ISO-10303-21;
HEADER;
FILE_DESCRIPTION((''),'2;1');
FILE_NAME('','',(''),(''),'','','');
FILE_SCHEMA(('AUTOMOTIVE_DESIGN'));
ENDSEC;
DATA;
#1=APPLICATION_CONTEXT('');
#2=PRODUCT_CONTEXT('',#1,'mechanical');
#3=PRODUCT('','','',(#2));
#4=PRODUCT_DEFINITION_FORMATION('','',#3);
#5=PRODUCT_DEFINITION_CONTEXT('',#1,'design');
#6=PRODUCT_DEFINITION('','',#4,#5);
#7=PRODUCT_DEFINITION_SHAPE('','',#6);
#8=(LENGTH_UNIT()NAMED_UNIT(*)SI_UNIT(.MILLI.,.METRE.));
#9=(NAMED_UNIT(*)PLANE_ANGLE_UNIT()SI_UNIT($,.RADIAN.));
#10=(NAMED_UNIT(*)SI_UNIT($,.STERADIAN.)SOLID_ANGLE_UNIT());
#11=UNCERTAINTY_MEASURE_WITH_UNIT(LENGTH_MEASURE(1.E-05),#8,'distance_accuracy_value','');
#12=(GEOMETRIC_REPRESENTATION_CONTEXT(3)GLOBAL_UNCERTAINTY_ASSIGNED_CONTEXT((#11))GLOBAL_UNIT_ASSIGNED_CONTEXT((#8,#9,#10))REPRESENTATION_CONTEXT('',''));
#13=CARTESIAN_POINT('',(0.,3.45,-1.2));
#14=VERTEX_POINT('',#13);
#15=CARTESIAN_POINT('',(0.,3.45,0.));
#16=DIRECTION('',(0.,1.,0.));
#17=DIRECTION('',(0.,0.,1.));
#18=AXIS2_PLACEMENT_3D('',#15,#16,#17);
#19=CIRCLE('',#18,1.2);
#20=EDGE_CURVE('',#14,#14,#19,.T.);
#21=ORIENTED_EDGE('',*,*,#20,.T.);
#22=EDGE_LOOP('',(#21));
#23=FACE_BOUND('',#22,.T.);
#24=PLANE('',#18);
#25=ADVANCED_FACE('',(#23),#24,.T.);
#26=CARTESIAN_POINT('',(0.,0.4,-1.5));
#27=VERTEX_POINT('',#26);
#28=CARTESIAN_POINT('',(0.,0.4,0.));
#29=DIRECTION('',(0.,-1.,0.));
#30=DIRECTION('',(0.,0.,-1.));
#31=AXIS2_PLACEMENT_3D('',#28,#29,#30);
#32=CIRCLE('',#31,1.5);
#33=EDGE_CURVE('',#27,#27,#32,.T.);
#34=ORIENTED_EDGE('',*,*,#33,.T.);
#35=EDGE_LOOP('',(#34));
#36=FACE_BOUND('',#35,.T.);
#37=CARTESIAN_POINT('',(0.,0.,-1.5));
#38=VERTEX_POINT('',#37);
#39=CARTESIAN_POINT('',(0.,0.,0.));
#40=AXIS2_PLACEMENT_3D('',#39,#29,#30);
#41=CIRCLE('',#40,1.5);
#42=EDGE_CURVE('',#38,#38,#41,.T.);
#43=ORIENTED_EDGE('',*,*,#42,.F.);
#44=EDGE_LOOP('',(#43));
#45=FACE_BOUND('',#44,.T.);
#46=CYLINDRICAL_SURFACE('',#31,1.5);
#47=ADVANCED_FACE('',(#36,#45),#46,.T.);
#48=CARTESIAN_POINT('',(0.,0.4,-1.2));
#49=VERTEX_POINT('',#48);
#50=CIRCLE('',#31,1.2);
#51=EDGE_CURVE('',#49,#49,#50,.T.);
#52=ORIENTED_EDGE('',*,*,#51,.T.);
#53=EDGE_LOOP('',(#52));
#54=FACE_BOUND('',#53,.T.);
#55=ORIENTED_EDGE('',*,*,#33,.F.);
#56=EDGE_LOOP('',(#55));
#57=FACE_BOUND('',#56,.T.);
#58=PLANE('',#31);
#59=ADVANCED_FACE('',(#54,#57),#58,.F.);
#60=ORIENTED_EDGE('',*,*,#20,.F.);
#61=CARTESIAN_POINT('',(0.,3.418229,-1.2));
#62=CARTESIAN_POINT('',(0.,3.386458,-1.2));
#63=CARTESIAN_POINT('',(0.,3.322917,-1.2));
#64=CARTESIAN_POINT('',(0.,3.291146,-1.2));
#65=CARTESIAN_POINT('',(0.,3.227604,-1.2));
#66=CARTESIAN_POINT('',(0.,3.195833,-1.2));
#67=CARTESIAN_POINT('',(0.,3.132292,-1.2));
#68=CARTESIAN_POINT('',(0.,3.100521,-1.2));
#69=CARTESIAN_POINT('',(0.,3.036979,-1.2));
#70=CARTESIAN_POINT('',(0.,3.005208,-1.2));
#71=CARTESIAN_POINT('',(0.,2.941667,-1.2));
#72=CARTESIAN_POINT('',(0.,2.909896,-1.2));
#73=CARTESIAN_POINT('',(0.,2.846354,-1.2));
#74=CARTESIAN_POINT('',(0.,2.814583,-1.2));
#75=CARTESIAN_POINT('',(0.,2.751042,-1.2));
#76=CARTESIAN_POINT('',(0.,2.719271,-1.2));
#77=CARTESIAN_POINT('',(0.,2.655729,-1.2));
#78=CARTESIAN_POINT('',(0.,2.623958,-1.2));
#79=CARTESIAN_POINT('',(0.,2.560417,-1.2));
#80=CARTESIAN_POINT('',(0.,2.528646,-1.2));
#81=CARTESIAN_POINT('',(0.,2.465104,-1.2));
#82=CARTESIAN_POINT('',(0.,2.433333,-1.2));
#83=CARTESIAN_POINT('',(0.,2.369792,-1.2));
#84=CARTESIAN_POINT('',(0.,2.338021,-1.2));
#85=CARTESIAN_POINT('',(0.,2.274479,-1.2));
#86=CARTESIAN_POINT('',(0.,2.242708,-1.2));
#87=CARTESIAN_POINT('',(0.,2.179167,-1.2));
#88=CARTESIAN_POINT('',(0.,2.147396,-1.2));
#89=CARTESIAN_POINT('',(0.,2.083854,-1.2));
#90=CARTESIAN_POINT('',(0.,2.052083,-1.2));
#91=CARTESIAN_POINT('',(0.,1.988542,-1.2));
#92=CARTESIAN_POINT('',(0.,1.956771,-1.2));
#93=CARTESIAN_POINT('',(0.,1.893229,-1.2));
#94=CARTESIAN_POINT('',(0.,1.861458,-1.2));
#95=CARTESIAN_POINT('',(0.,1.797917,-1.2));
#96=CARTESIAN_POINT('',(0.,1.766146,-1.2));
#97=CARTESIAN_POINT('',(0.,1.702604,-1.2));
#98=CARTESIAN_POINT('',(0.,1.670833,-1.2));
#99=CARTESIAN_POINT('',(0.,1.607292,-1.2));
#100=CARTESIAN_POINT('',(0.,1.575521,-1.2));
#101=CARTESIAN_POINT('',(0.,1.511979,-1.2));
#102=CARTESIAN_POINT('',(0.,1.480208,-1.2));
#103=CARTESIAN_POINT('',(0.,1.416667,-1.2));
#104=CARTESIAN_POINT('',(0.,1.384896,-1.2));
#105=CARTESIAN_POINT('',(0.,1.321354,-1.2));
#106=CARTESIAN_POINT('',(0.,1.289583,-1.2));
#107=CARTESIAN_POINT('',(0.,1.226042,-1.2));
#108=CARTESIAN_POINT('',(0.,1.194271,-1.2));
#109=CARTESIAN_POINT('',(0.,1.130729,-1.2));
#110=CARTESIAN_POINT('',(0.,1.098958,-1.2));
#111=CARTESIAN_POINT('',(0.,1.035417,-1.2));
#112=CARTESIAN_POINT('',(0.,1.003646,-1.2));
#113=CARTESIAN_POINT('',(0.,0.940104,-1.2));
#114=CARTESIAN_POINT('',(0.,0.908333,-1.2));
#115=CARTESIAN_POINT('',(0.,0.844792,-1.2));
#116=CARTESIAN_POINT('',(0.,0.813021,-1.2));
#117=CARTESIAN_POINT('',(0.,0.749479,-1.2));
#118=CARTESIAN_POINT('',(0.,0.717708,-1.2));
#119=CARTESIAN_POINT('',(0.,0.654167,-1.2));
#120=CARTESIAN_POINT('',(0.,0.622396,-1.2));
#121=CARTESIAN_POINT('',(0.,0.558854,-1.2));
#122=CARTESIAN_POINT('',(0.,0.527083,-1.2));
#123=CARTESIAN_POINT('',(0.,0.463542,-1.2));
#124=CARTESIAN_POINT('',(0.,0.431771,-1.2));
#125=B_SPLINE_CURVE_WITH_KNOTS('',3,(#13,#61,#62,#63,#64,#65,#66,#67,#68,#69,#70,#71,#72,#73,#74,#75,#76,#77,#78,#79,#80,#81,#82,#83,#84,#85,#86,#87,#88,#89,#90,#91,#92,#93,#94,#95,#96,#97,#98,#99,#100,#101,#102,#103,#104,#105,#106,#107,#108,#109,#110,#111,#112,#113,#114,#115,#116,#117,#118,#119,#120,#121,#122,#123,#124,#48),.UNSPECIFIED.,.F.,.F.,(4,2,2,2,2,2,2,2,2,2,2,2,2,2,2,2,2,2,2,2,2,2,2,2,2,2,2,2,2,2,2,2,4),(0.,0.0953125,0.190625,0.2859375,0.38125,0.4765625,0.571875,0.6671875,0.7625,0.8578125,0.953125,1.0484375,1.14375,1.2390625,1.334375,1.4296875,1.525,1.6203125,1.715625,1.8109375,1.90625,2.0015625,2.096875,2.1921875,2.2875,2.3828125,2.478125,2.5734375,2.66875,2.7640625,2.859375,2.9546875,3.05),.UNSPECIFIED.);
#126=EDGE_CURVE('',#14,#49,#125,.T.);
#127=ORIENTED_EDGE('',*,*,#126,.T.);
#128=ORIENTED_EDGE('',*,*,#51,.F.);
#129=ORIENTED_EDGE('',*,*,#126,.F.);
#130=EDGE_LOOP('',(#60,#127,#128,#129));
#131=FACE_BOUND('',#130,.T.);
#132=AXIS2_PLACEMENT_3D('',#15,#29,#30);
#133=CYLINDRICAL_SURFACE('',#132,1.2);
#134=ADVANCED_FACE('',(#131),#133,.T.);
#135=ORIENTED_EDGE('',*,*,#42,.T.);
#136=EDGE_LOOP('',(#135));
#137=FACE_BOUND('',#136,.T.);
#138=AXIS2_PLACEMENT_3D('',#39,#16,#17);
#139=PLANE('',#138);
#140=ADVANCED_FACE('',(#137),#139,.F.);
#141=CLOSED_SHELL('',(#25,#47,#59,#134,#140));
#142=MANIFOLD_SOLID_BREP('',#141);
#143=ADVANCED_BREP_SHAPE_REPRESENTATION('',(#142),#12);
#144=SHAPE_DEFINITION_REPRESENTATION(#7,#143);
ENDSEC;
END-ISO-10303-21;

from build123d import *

# Parameters (mm, degrees)
SKETCH2_R           = 1.2
BOSS_EXTRUDE1_DEPTH = 3.45
SKETCH5_R           = 1.5
BOSS_EXTRUDE2_DEPTH = 0.4


with BuildPart() as part:
    # Sketch2 → Boss-Extrude1 (new body)
    with BuildSketch(Plane(origin=(0, 0, 0), x_dir=(1, 0, 0), z_dir=(0, 1, 0))):
        with Locations(Location((0, 0, 0), (0, 0, 90))):
            Circle(SKETCH2_R)
    extrude(amount=BOSS_EXTRUDE1_DEPTH)

    # Sketch5 → Boss-Extrude2 (add)
    with BuildSketch(Plane.XZ):
        with Locations(Location((0, 0, 0), (0, 0, 270))):
            Circle(SKETCH5_R)
    extrude(amount=-BOSS_EXTRUDE2_DEPTH)


solid = part.part
